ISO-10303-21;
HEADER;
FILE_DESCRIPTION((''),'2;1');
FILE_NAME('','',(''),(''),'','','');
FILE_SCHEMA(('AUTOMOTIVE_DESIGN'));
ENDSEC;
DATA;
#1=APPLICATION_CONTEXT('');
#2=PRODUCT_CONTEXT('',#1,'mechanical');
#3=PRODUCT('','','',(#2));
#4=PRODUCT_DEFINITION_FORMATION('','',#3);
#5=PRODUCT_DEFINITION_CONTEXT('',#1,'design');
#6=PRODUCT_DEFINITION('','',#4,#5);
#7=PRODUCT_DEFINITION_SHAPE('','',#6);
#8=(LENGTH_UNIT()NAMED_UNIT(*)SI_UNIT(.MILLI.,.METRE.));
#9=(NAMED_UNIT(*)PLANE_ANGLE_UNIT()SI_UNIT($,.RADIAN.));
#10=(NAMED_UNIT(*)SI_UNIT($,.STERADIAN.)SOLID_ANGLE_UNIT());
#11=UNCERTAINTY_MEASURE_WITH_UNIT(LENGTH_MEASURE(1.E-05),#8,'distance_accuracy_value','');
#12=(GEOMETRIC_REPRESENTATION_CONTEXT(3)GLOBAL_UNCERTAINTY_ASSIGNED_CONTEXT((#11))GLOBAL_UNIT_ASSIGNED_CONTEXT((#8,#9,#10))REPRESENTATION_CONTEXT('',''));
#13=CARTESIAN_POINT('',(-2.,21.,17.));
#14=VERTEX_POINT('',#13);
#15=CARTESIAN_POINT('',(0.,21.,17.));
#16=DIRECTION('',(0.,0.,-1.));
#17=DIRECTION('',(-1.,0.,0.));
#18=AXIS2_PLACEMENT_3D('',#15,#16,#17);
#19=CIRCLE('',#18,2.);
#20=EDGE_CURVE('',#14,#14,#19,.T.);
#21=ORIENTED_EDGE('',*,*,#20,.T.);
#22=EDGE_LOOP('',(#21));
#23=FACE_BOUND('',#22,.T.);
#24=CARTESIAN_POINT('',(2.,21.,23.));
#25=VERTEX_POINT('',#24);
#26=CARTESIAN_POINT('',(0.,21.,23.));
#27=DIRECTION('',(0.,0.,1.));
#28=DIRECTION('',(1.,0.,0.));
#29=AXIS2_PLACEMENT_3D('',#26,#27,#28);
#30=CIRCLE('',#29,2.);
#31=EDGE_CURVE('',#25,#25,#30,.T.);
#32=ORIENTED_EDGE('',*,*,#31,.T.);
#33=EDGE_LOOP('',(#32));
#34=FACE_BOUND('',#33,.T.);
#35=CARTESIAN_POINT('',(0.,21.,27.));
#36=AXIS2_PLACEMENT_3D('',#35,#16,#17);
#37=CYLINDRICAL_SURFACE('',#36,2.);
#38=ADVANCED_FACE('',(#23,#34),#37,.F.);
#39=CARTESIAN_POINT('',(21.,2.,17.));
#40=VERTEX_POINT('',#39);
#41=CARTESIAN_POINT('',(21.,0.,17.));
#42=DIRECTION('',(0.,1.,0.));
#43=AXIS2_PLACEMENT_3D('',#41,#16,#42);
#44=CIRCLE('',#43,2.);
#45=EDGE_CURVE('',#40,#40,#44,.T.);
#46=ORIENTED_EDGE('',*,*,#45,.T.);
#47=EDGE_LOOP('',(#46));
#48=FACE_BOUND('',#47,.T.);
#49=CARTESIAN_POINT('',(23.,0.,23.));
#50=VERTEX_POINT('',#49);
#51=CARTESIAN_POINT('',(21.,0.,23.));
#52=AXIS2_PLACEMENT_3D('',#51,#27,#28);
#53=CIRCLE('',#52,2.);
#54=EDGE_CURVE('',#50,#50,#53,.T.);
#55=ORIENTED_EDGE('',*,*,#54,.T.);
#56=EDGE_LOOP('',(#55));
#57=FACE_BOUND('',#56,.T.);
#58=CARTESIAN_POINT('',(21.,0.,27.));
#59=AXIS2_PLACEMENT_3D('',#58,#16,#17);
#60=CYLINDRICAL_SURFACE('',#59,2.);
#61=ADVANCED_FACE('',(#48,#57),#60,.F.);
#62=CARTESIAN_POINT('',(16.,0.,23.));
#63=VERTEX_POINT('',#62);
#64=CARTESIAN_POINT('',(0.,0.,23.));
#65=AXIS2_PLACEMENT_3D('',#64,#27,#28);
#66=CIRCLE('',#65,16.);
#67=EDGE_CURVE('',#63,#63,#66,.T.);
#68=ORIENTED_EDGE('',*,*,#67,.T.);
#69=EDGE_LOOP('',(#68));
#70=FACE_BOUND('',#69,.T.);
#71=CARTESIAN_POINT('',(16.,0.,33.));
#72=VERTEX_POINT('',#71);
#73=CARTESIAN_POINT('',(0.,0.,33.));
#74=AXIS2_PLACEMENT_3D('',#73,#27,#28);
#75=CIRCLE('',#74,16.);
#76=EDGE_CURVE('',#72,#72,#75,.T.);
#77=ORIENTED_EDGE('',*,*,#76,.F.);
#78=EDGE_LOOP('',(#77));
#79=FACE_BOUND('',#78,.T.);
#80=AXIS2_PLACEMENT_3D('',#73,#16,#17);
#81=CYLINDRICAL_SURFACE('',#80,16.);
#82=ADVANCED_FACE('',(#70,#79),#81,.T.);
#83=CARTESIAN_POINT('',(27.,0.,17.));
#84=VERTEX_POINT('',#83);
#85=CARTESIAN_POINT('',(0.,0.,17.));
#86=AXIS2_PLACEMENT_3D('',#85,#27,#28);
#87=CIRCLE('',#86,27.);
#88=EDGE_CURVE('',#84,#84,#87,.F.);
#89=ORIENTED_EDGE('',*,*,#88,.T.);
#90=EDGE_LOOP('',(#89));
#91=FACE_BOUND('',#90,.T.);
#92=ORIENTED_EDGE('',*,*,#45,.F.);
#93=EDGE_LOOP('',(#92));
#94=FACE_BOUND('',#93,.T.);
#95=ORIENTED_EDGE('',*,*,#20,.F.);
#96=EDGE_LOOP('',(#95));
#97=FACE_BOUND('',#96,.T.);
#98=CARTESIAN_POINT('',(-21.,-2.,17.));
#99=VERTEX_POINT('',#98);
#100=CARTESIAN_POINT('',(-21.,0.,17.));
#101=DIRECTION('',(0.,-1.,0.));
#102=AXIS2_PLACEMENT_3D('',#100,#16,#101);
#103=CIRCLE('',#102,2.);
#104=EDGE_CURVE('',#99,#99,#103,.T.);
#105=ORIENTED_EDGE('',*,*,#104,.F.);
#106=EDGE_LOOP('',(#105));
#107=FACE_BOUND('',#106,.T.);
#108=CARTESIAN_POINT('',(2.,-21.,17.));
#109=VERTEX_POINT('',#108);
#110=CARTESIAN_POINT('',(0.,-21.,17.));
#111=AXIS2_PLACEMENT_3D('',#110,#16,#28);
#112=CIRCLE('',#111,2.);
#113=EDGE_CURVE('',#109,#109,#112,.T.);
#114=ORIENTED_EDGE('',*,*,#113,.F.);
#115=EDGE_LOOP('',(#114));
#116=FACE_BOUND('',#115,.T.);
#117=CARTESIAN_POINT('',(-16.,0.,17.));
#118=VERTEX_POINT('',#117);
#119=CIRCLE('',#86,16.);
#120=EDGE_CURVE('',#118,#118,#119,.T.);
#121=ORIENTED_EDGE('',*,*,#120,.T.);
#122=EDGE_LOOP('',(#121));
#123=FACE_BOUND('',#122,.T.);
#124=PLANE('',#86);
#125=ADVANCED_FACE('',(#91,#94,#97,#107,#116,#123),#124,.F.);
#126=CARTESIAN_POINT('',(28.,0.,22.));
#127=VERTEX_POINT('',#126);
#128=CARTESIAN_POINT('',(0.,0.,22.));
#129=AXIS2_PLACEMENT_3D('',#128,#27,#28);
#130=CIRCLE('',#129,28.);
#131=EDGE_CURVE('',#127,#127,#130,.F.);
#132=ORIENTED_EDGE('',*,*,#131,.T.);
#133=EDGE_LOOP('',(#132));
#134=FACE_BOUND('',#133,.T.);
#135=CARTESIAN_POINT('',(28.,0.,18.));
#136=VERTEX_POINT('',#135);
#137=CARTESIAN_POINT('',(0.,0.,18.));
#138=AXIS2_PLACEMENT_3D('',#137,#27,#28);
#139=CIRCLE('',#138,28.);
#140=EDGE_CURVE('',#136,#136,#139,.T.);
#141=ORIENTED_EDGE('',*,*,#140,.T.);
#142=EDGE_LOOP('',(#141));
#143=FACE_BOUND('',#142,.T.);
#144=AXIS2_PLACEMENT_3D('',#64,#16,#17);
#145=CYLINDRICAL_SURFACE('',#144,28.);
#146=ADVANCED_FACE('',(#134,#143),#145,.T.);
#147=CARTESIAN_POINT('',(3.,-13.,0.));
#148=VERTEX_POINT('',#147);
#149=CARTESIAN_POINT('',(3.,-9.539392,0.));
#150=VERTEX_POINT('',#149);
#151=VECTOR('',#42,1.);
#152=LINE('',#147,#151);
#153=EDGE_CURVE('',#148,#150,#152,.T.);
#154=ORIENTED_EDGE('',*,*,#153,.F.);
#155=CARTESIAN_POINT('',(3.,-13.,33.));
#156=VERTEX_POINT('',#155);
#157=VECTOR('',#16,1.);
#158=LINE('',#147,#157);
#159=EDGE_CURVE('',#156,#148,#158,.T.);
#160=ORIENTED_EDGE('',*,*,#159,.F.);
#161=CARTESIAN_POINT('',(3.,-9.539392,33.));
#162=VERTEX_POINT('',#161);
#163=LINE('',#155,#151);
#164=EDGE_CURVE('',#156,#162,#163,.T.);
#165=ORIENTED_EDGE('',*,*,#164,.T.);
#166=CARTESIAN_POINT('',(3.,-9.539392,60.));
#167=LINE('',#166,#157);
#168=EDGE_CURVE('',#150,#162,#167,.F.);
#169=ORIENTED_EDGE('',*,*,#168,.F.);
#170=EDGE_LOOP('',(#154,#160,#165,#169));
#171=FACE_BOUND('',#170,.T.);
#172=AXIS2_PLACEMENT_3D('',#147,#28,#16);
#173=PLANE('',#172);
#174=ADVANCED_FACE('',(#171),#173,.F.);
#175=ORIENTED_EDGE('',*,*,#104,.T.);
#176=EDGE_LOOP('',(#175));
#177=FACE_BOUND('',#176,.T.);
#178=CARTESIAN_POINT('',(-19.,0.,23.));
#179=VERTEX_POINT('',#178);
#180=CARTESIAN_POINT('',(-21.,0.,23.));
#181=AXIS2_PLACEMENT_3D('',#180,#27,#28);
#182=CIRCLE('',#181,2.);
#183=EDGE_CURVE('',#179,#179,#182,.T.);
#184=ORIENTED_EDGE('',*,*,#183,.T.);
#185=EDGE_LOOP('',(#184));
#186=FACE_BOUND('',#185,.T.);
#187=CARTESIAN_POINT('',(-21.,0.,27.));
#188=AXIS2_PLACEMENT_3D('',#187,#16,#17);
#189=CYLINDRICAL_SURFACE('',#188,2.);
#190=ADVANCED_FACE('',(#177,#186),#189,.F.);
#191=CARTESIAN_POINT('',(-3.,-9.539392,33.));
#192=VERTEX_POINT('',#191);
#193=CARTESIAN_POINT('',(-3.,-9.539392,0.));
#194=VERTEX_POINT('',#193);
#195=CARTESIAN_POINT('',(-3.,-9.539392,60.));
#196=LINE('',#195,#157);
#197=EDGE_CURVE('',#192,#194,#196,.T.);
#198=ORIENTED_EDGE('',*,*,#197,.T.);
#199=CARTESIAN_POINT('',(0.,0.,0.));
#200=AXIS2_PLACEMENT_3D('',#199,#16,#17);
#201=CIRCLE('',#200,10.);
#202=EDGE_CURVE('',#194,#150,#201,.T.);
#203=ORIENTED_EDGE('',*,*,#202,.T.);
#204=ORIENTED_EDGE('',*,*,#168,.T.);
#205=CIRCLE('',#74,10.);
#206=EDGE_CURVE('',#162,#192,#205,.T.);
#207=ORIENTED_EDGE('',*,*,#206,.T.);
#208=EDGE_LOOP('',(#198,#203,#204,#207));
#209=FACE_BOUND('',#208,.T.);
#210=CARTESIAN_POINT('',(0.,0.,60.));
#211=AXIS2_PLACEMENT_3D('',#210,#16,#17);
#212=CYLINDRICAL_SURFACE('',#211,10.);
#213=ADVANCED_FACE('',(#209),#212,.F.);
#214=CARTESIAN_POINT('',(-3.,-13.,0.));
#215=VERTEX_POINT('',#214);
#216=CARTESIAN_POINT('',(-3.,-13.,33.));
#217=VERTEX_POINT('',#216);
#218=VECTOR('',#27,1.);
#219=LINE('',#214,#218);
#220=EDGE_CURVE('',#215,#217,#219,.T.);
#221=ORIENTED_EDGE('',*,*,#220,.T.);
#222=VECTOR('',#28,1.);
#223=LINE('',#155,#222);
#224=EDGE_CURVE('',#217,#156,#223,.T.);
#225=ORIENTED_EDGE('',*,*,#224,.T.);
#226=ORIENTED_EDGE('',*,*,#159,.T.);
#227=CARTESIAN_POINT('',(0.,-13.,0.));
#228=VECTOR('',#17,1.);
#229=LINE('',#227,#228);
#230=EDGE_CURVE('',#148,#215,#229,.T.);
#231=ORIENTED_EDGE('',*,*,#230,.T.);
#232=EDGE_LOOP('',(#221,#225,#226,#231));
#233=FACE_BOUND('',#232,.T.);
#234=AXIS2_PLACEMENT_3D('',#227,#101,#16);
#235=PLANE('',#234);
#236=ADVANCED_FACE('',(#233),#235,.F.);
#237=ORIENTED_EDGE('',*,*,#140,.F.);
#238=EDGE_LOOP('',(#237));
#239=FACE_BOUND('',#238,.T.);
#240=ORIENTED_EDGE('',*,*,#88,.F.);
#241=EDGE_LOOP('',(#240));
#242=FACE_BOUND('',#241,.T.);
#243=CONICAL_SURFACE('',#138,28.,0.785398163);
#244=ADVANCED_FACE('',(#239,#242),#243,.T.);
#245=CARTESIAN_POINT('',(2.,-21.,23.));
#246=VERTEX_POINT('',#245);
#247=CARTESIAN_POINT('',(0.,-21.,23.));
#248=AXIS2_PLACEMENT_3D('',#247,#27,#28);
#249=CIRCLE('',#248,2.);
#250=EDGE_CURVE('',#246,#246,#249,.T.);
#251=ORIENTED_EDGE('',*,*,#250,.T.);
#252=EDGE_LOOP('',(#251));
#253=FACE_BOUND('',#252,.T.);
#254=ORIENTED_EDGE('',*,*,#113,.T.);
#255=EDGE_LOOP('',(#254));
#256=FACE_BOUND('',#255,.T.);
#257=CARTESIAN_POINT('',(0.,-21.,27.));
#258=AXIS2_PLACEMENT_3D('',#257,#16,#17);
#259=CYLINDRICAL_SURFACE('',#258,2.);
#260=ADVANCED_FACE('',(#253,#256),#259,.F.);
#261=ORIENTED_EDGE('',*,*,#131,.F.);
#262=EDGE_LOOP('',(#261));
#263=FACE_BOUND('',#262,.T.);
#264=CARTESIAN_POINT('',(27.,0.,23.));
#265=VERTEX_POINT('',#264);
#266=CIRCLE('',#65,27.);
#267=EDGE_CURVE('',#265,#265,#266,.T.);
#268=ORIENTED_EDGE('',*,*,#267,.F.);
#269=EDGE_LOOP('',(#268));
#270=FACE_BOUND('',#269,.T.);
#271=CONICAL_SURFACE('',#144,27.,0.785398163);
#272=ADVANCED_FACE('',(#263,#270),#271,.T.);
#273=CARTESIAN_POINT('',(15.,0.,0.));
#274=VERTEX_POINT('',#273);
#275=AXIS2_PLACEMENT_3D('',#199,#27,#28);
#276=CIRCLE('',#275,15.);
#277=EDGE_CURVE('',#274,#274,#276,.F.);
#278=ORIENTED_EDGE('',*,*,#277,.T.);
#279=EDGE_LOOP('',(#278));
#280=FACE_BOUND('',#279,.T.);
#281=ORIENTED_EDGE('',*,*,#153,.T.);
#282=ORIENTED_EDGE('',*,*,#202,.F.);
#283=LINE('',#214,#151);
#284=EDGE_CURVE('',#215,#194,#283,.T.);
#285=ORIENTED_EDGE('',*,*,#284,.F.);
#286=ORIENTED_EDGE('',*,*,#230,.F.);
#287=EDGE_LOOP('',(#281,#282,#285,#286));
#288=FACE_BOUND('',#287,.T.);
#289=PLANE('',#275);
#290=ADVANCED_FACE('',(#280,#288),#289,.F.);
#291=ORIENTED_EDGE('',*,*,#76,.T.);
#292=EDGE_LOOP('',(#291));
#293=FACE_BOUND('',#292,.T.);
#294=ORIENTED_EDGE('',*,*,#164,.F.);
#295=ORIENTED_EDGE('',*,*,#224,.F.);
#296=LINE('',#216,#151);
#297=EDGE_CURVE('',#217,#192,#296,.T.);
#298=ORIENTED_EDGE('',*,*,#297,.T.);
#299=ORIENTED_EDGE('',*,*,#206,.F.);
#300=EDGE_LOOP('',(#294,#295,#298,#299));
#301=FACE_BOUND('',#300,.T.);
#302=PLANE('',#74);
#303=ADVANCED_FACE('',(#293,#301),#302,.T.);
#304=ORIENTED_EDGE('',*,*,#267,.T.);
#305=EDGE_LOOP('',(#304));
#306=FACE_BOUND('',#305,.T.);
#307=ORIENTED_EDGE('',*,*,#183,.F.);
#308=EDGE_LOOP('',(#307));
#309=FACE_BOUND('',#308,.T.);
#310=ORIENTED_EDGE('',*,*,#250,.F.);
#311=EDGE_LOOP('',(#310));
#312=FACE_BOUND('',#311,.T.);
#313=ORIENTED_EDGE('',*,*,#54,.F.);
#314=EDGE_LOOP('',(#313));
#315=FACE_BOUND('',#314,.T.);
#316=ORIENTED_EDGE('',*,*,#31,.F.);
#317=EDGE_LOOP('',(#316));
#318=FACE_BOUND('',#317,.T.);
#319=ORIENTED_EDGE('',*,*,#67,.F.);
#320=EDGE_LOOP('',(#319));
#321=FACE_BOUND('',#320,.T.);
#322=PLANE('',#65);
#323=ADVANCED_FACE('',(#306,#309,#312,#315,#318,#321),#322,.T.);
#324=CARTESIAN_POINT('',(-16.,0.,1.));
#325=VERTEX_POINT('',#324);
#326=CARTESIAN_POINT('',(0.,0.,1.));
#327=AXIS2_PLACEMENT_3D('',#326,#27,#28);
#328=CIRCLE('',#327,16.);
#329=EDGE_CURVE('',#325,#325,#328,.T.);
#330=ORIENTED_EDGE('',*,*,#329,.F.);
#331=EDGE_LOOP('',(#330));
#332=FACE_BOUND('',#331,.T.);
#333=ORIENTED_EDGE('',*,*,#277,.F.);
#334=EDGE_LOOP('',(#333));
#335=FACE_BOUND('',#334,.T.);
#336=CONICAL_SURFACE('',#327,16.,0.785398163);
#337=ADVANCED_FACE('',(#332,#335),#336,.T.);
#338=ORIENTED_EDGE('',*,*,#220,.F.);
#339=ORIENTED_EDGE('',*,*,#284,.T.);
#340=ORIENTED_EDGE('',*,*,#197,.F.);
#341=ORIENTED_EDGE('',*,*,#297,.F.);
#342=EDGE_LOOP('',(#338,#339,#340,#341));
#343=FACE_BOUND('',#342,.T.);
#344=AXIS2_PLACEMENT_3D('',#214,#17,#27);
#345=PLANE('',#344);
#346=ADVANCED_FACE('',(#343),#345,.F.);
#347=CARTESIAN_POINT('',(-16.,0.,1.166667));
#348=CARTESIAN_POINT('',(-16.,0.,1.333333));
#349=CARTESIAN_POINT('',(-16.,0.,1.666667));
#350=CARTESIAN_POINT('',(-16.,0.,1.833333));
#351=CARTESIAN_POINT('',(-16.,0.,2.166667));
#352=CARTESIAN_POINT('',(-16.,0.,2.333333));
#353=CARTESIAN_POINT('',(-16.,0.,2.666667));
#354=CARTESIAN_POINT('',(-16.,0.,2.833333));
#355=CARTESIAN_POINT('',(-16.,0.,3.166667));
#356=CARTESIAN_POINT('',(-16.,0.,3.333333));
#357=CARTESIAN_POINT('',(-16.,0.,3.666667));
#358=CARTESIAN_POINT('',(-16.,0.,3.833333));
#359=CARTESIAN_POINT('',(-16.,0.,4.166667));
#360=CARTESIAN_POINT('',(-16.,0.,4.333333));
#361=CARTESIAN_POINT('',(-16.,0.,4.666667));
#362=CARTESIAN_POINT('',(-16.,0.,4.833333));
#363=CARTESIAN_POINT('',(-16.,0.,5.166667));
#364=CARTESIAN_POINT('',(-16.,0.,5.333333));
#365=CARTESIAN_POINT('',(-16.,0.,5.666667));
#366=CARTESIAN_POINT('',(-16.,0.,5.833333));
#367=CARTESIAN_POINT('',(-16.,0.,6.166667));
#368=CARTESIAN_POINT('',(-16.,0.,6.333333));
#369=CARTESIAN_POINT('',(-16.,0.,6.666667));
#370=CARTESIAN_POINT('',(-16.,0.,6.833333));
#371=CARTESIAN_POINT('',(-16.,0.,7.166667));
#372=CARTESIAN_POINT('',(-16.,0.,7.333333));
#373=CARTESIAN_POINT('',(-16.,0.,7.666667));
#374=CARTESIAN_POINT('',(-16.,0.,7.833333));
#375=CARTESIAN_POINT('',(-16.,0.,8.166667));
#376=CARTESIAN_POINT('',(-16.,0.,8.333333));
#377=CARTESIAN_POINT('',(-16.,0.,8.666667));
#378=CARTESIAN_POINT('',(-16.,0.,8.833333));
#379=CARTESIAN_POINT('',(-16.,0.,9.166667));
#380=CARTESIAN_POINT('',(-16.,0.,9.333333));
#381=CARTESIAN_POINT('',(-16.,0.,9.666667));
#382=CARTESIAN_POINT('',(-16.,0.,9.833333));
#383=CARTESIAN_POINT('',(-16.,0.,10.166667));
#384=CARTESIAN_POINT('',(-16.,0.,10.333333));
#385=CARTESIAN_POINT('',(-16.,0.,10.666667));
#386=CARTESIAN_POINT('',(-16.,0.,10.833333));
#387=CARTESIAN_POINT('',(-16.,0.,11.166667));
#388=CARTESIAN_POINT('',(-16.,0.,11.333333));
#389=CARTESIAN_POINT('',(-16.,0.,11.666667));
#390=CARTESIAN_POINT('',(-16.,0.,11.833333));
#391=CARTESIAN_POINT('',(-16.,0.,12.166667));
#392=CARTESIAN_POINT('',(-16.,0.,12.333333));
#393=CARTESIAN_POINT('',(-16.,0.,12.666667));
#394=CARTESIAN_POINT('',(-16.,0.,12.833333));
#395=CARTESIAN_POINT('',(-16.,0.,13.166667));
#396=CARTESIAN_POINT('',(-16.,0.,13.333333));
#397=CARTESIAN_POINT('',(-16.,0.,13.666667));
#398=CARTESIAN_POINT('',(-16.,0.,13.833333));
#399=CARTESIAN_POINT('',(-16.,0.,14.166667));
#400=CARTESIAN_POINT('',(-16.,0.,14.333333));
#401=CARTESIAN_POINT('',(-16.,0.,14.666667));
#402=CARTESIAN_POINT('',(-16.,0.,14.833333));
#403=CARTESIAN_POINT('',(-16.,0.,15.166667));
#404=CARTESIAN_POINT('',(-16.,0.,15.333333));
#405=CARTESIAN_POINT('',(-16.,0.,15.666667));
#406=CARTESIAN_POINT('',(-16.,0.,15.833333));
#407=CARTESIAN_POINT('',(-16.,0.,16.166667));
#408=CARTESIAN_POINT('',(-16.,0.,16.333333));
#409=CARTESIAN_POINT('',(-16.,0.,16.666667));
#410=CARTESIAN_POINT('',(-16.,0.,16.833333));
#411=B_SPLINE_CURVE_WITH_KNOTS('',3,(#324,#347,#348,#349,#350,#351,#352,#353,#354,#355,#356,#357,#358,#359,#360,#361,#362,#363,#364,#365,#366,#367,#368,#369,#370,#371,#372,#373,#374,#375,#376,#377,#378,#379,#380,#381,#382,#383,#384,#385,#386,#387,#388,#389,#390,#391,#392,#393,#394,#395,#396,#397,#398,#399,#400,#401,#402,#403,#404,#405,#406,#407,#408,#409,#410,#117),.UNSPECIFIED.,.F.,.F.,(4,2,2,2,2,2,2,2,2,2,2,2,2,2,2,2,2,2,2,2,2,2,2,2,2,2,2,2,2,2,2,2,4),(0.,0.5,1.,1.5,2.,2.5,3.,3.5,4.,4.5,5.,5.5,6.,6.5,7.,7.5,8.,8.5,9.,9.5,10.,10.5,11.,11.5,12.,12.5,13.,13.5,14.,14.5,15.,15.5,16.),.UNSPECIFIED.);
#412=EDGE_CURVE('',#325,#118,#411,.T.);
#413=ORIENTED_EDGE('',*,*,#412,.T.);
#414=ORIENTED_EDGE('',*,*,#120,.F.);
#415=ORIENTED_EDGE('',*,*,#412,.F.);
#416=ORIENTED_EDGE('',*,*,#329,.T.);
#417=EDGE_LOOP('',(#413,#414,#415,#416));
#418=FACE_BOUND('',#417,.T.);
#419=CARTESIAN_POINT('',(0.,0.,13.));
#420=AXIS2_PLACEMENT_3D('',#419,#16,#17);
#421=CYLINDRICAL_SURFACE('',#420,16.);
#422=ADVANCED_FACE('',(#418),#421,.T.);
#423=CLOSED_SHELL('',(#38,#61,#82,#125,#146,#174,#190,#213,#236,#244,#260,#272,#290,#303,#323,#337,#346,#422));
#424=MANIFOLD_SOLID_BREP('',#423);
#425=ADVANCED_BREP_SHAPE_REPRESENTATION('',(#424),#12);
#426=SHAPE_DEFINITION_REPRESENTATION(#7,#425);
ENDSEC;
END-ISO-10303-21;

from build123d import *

# Parameters (mm, degrees)
SKETCH_1_R               = 16
EXTRUDE_1_DEPTH          = 13
SKETCH_2_R               = 16
EXTRUDE_2_DEPTH          = 4
SKETCH_3_R               = 28
EXTRUDE_3_DEPTH          = 6
SKETCH_4_R               = 7
EXTRUDE_4_DEPTH          = 5
SKETCH_6_R               = 2
CUT_EXTRUDE_1_DEPTH      = 10
SKETCH_7_R               = 10
CUT_EXTRUDE_2_DEPTH      = 60
PATTERN_CIRCULAR_2_COUNT = 4
CHAMFER_3_SIZE           = 1
CHAMFER_4_SIZE           = 1
CHAMFER_6_SIZE           = 1
SKETCH_8_R               = 16
SKETCH_8_R_2             = 10
EXTRUDE_5_DEPTH          = 10
CUT_EXTRUDE_3_DEPTH      = 13


with BuildPart() as part:
    # 草图1 → 凸台-拉伸1 (new body)
    with BuildSketch(Plane.XY):
        with Locations(Location((0, 0, 0), (0, 0, 180))):
            Circle(SKETCH_1_R)
    extrude(amount=EXTRUDE_1_DEPTH)

    # 草图2 → 凸台-拉伸2 (add)
    with BuildSketch(Plane.XY.offset(13)):
        with Locations(Location((0, 0, 0), (0, 0, 180))):
            Circle(SKETCH_2_R)
    extrude(amount=EXTRUDE_2_DEPTH)

    # 草图3 → 凸台-拉伸3 (add)
    with BuildSketch(Plane.XY.offset(17)):
        Circle(SKETCH_3_R)
    extrude(amount=EXTRUDE_3_DEPTH)

    # 草图4 → 凸台-拉伸4 (add)
    with BuildSketch(Plane.XY.offset(23)):
        Circle(SKETCH_4_R)
    extrude(amount=EXTRUDE_4_DEPTH)

    # 草图6 → 切除-拉伸1 (cut)
    with BuildSketch(Plane(origin=(0, 0, 17), x_dir=(-1, 0, 0), z_dir=(0, 0, -1))):
        with Locations((0, 21)):
            Circle(SKETCH_6_R)
    cut_extrude_1 = extrude(amount=-CUT_EXTRUDE_1_DEPTH, mode=Mode.SUBTRACT)

    # 草图7 → 切除-拉伸2 (cut)
    with BuildSketch(Plane(origin=(0, 0, 0), x_dir=(-1, 0, 0), z_dir=(0, 0, -1))):
        Circle(SKETCH_7_R)
    extrude(amount=-CUT_EXTRUDE_2_DEPTH, mode=Mode.SUBTRACT)

    # 阵列(圆周)2: 切除-拉伸1 ×4 about axis
    pattern_circular_2_axis = Axis((0, 0, 0), (0, 0, 1))
    for i in range(1, PATTERN_CIRCULAR_2_COUNT):
        add(cut_extrude_1.rotate(pattern_circular_2_axis, i * 360 / PATTERN_CIRCULAR_2_COUNT), mode=Mode.SUBTRACT)

    # 倒角3
    chamfer_3_edges = [part.edges().sort_by_distance(p)[0] for p in [
        (-28, 0, 23),
    ]]
    chamfer(chamfer_3_edges, length=CHAMFER_3_SIZE)

    # 倒角4
    chamfer_4_edges = [part.edges().sort_by_distance(p)[0] for p in [
        (-28, 0, 17),
    ]]
    chamfer(chamfer_4_edges, length=CHAMFER_4_SIZE)

    # 倒角6
    chamfer_6_edges = [part.edges().sort_by_distance(p)[0] for p in [
        (16, 0, 0),
    ]]
    chamfer(chamfer_6_edges, length=CHAMFER_6_SIZE)

    # 草图8 → 凸台-拉伸5 (add)
    with BuildSketch(Plane.XY.offset(23)):
        with Locations(Location((0, 0, 0), (0, 0, 180))):
            Circle(SKETCH_8_R)
        with Locations(Location((0, 0, 0), (0, 0, 180))):
            Circle(SKETCH_8_R_2, mode=Mode.SUBTRACT)
    extrude(amount=EXTRUDE_5_DEPTH)

    # 草图9 → 切除-拉伸3 (cut)
    with BuildSketch(Plane(origin=(0, 0, 0), x_dir=(1, 0, 0), z_dir=(0, 1, 0))):
        Polygon((-3, 0), (0, 0), (3, 0), (3, -33), (-3, -33), align=None)
    extrude(amount=-CUT_EXTRUDE_3_DEPTH, mode=Mode.SUBTRACT)


solid = part.part
